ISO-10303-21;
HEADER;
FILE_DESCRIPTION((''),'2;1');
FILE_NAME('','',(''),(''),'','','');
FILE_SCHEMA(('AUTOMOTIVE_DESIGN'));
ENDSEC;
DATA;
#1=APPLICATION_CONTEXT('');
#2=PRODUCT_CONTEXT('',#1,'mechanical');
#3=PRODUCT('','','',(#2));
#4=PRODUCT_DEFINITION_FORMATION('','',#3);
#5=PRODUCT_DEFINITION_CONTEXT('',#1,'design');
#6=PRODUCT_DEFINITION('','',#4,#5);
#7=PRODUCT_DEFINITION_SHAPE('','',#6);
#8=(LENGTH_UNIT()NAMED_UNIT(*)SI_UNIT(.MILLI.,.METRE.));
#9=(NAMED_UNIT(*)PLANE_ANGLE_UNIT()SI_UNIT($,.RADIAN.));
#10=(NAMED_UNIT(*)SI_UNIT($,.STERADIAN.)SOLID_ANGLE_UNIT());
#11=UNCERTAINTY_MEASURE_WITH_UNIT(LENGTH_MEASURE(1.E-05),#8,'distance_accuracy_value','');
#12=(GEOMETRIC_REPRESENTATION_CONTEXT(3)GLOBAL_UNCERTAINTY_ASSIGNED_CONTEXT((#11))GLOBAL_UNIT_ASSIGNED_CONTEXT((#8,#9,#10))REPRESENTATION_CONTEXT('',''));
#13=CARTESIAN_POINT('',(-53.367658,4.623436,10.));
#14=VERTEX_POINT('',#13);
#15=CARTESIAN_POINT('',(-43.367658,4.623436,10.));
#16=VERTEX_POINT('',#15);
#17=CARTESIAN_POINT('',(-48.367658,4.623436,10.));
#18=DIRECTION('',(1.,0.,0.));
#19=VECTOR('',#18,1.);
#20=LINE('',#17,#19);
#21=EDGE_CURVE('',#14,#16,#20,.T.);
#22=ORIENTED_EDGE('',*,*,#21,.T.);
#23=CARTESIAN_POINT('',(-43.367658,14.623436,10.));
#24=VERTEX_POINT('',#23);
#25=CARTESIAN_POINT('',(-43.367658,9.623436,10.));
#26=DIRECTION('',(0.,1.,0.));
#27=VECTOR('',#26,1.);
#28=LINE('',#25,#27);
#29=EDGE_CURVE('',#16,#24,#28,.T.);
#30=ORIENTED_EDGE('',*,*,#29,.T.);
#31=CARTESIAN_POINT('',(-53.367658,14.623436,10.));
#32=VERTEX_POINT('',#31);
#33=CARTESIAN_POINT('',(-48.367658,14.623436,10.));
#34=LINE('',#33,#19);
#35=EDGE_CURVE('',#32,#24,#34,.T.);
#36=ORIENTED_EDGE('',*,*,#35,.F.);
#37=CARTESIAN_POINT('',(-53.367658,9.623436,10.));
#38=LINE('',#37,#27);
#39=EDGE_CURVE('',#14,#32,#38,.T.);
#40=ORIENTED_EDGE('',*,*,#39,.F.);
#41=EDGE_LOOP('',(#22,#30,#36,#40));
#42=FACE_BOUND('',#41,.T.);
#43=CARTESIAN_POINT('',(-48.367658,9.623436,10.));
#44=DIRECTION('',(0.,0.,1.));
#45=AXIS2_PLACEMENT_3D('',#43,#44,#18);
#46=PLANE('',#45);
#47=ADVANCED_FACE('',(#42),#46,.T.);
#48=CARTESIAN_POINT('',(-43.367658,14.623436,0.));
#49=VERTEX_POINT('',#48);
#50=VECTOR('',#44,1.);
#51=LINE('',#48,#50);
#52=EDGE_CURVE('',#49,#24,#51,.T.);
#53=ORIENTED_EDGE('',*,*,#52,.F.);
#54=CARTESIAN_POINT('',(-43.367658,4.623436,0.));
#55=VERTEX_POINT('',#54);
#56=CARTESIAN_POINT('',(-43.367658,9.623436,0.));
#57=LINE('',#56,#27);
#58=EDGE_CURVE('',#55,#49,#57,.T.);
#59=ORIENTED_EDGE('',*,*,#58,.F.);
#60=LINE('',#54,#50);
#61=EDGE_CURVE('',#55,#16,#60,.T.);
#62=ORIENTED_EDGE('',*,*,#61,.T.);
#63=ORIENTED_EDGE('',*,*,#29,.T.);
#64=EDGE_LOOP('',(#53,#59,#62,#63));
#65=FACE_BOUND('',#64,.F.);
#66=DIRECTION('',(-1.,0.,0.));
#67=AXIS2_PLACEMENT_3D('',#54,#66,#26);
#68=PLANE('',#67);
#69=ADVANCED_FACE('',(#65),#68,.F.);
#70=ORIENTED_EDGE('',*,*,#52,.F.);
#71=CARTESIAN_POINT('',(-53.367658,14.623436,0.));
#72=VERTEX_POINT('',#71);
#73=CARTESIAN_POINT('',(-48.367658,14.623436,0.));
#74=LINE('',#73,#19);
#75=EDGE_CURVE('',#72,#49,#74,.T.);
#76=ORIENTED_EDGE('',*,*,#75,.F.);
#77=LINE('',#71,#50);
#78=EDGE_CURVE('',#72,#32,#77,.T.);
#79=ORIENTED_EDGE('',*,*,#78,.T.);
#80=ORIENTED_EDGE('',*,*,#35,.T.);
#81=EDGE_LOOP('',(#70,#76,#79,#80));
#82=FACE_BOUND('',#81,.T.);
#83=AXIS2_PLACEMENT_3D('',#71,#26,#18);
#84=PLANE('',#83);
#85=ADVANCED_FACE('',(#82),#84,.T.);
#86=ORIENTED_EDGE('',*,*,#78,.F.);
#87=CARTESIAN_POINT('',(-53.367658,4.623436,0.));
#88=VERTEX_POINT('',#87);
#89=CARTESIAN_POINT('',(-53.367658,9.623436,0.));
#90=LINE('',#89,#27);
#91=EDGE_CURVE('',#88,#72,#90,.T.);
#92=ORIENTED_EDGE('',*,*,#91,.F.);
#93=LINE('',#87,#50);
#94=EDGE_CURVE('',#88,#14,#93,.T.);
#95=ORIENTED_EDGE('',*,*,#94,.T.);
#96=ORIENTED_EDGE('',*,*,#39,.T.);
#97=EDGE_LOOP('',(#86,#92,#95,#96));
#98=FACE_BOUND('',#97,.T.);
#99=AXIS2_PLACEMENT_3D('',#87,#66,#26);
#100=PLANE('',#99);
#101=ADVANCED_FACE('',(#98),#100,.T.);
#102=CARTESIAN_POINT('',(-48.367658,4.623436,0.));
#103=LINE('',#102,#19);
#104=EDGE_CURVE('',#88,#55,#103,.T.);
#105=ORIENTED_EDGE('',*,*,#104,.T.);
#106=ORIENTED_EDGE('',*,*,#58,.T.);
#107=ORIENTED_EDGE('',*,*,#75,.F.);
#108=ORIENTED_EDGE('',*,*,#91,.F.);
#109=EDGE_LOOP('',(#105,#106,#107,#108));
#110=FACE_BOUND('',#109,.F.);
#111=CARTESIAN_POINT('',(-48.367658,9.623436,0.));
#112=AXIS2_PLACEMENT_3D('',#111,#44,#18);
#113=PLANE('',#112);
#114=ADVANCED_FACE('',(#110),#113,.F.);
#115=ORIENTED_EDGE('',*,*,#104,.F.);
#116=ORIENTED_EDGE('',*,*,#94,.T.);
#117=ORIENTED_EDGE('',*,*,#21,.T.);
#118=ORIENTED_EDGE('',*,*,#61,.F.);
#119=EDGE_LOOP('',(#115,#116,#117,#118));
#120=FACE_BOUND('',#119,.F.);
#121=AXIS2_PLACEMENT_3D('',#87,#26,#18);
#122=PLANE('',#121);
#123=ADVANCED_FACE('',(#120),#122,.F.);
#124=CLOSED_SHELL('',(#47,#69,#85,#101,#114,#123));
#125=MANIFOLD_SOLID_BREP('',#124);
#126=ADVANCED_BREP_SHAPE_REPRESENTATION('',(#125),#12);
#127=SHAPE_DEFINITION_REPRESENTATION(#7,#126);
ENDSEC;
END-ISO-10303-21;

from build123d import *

# Parameters (mm, degrees)
SKETCH1_W           = 10
SKETCH1_H           = 10
BOSS_EXTRUDE1_DEPTH = 10


with BuildPart() as part:
    # Sketch1 → Boss-Extrude1 (new body)
    with BuildSketch(Plane.XY):
        with Locations((-48.367658053, 9.623435722)):
            Rectangle(SKETCH1_W, SKETCH1_H)
    extrude(amount=BOSS_EXTRUDE1_DEPTH)


solid = part.part
